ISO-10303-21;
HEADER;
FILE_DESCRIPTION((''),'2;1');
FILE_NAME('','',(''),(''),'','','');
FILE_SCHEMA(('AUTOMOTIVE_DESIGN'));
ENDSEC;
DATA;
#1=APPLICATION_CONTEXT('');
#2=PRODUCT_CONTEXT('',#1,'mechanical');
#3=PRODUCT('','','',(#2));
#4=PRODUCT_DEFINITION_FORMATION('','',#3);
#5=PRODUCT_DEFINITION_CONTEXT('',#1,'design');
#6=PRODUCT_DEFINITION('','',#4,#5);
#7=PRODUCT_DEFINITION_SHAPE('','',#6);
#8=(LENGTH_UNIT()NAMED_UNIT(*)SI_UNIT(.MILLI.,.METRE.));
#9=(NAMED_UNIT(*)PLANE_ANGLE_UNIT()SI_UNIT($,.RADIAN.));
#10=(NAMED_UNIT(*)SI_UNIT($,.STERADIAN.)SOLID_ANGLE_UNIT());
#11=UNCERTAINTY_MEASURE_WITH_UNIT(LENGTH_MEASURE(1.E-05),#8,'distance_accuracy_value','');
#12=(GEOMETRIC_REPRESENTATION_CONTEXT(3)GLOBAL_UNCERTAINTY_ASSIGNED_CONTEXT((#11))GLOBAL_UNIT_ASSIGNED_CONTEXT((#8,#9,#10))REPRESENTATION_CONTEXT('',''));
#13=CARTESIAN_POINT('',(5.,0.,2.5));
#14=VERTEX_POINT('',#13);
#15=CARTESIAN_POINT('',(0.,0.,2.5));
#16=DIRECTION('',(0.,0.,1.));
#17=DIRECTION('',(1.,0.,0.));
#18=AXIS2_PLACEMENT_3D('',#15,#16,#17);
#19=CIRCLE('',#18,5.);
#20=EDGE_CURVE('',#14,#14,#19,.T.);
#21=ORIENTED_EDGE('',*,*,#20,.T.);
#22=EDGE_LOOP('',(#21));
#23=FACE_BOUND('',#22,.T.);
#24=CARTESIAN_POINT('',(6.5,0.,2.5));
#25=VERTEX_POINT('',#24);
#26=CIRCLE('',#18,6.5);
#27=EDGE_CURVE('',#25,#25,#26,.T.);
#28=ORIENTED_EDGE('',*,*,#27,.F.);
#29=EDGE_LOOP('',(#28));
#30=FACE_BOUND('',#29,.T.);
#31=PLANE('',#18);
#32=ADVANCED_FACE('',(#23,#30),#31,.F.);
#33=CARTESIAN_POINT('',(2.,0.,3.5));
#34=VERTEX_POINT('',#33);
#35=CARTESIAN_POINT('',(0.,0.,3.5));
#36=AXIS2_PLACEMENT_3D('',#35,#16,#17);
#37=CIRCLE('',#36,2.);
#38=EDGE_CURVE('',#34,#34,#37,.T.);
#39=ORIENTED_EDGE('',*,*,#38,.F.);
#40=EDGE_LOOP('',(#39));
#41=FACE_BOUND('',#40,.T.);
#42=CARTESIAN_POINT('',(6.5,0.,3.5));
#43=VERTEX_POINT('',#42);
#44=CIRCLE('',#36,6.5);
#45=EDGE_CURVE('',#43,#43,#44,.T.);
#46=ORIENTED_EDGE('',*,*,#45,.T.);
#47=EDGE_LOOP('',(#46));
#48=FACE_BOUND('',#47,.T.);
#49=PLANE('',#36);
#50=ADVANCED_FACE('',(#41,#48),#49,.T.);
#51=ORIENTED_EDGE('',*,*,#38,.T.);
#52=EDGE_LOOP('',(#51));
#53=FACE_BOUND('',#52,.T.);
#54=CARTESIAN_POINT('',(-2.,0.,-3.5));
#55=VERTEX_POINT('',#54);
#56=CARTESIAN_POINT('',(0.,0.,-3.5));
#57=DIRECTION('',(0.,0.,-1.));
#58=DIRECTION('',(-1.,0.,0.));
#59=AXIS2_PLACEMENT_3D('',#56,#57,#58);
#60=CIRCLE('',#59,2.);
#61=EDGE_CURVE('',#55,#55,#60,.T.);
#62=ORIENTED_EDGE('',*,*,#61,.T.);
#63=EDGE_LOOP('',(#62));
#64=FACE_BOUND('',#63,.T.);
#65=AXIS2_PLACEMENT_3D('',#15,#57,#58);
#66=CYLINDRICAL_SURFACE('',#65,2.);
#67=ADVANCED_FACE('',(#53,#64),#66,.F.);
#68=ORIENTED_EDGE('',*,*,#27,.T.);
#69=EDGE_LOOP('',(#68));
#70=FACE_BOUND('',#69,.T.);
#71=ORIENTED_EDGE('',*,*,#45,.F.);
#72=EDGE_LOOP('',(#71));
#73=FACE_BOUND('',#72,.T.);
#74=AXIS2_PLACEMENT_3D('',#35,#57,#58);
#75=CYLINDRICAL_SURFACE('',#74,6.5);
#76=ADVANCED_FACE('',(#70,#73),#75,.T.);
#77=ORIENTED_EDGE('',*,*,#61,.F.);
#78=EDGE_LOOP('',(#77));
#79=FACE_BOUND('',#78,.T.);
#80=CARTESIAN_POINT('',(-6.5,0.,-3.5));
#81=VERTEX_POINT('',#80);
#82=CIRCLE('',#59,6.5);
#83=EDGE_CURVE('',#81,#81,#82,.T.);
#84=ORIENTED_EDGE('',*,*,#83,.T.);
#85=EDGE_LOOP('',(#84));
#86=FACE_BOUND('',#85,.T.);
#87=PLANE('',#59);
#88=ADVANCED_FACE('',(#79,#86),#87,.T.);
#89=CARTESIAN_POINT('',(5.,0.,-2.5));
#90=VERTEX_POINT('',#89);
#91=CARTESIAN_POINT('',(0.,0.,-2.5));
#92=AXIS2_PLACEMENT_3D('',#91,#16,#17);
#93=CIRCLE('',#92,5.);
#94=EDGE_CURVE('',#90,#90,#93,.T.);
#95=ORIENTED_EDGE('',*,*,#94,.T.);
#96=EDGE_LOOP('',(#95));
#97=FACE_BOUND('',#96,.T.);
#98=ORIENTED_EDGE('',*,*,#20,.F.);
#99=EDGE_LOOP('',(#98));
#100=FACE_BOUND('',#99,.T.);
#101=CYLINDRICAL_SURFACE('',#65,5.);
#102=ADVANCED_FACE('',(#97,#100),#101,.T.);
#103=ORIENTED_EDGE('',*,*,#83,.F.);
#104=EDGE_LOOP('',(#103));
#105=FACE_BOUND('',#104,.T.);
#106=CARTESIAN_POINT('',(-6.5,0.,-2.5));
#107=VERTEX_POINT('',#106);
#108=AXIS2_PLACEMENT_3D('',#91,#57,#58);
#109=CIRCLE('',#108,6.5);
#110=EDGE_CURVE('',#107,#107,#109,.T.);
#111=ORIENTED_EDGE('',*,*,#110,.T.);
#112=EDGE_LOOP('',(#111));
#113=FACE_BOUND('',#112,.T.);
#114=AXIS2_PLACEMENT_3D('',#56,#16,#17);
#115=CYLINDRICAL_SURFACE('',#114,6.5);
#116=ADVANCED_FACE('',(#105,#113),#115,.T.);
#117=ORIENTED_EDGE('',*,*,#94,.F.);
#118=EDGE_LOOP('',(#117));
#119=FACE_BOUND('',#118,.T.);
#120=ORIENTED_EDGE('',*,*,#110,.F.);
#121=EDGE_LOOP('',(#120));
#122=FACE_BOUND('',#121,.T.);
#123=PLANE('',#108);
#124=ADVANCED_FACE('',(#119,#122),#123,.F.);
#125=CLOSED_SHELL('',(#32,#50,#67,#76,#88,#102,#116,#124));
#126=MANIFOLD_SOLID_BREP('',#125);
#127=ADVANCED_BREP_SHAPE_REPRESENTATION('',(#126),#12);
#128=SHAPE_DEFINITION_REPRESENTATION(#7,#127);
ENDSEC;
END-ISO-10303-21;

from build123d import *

# Parameters (mm, degrees)
SKETCH_1_R      = 5
SKETCH_1_R_2    = 2
EXTRUDE_1_DEPTH = 2.5
SKETCH_2_R      = 6.5
SKETCH_2_R_2    = 2
EXTRUDE_2_DEPTH = 1
SKETCH_3_R      = 6.5
SKETCH_3_R_2    = 2
EXTRUDE_3_DEPTH = 1


with BuildPart() as part:
    # 스케치1 → 보스-돌출1 (new body, symmetric)
    with BuildSketch(Plane.XY):
        Circle(SKETCH_1_R)
        Circle(SKETCH_1_R_2, mode=Mode.SUBTRACT)
    extrude(amount=EXTRUDE_1_DEPTH, both=True)

    # 스케치2 → 보스-돌출2 (add)
    with BuildSketch(Plane(origin=(0, 0, -2.5), x_dir=(-1, 0, 0), z_dir=(0, 0, -1))):
        Circle(SKETCH_2_R)
        Circle(SKETCH_2_R_2, mode=Mode.SUBTRACT)
    extrude(amount=EXTRUDE_2_DEPTH)

    # 스케치3 → 보스-돌출3 (add)
    with BuildSketch(Plane.XY.offset(2.5)):
        Circle(SKETCH_3_R)
        Circle(SKETCH_3_R_2, mode=Mode.SUBTRACT)
    extrude(amount=EXTRUDE_3_DEPTH)


solid = part.part
